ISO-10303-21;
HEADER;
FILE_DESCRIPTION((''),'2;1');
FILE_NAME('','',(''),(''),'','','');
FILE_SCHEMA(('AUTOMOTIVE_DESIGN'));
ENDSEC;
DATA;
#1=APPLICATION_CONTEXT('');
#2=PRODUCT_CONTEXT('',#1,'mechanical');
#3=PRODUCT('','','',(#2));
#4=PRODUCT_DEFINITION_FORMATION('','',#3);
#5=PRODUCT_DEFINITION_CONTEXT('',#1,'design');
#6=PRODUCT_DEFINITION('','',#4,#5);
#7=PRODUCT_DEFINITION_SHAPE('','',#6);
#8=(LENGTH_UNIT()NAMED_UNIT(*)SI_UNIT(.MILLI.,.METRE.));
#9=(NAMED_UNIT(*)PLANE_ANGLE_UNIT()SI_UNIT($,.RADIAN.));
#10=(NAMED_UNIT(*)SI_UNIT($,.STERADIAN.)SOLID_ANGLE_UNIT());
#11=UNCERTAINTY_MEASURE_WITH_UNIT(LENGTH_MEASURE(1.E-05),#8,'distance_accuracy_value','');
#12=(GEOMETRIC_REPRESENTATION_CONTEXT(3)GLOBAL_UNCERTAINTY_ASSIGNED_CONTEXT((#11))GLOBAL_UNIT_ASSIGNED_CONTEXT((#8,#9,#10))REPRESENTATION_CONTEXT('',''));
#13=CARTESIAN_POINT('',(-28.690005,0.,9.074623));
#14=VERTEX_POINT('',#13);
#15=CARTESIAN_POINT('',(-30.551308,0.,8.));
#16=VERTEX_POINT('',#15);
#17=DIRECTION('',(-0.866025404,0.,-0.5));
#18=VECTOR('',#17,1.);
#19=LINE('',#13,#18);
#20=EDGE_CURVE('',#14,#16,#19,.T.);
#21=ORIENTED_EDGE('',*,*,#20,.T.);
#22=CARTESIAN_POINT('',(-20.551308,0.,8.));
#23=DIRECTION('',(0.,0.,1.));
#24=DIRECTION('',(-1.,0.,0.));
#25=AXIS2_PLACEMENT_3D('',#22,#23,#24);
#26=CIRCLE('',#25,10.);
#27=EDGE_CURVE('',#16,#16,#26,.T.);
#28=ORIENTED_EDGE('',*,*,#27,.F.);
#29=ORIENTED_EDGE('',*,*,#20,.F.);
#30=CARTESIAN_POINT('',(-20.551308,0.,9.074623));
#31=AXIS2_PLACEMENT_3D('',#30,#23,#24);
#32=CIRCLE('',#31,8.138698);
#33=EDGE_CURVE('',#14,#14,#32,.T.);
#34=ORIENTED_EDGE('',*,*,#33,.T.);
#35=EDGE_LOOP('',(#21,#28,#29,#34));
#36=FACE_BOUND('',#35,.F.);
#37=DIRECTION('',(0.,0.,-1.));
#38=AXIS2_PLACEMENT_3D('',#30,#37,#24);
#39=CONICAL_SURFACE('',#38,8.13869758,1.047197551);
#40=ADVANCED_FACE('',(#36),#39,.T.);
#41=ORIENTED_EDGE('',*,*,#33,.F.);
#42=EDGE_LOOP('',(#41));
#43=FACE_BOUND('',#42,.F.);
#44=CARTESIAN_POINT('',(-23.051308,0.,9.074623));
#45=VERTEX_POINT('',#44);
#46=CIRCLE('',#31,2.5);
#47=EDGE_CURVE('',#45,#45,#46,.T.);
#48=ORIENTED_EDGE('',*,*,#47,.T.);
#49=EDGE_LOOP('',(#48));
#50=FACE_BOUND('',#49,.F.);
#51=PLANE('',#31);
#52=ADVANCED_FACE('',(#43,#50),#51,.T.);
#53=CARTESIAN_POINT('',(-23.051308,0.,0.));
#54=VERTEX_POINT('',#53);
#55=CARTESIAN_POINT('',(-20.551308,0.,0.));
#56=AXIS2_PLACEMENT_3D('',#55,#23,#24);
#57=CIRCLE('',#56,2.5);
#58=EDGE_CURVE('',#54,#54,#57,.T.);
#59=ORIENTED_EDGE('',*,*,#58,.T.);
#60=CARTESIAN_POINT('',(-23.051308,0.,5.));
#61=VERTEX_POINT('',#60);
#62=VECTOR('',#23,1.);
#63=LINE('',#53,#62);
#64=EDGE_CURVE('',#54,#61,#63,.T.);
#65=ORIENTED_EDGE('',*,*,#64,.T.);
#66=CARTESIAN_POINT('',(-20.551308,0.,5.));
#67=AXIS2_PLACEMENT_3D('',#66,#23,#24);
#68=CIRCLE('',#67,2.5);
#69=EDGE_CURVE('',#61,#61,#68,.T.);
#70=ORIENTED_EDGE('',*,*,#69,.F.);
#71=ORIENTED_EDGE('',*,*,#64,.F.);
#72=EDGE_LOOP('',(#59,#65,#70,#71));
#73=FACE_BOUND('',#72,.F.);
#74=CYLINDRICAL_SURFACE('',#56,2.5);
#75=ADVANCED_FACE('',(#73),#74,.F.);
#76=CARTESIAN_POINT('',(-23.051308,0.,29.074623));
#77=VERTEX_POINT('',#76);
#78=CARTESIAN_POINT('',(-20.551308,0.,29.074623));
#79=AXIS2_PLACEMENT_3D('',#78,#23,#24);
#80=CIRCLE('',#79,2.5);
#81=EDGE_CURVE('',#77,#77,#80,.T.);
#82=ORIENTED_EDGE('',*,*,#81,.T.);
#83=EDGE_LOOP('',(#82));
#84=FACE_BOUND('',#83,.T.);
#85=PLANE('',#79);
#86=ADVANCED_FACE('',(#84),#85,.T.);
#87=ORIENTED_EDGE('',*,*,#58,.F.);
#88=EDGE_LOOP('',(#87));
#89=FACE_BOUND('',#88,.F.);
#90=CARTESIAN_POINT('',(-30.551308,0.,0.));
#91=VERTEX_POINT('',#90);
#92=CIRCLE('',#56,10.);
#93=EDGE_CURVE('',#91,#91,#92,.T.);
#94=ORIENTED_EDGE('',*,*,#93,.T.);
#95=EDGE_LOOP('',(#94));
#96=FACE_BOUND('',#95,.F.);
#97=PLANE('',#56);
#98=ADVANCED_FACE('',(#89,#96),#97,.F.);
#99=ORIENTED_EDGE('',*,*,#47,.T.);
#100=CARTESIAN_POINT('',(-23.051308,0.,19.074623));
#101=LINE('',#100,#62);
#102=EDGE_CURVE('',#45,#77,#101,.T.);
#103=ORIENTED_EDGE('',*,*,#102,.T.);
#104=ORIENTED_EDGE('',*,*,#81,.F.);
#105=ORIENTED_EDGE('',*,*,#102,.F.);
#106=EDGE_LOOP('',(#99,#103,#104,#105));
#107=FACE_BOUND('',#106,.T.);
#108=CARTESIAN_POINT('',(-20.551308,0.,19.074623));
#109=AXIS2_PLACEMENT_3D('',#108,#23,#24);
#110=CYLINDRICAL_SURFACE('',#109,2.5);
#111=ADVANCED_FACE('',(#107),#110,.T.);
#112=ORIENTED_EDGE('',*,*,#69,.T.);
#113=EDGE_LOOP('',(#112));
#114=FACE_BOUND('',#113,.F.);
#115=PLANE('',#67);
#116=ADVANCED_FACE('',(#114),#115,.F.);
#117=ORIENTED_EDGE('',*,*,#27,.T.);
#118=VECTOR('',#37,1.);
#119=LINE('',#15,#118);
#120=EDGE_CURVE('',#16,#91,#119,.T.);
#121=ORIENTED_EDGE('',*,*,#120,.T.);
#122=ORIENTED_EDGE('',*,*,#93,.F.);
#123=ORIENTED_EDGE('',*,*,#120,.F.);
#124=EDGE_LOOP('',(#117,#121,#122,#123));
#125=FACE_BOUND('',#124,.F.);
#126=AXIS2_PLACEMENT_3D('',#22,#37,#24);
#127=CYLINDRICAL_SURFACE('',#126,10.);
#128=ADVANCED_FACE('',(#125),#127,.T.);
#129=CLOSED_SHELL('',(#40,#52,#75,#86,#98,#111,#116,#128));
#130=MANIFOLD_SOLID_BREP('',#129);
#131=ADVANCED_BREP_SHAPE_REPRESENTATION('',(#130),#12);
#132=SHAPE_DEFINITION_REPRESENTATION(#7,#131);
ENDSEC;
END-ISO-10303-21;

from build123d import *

# Parameters (mm, degrees)
F0_W   = 2.5
F0_H   = 20
F0_H_2 = 3
F0_H_3 = 1.0746234533


with BuildPart() as f1:
    # F0 (on Front) → F1 (revolve)
    with BuildSketch(Plane.XZ):
        with Locations((-21.8013077103, 19.0746234533)):
            Rectangle(F0_W, F0_H)
        Polygon((-23.0513077103, 8), (-30.5513077103, 8), (-30.5513077103, 0), (-23.0513077103, 0), (-23.0513077103, 5), align=None)
        Polygon((-28.6900052902, 9.0746234533), (-30.5513077103, 8), (-23.0513077103, 8), (-23.0513077103, 9.0746234533), align=None)
        with Locations((-21.8013077103, 6.5)):
            Rectangle(F0_W, F0_H_2)
        with Locations((-21.8013077103, 8.5373117267)):
            Rectangle(F0_W, F0_H_3)
    revolve(axis=Axis((-20.5513077103, 0, 19.0746234533), (0, 0, 1)))


solid = f1.part
